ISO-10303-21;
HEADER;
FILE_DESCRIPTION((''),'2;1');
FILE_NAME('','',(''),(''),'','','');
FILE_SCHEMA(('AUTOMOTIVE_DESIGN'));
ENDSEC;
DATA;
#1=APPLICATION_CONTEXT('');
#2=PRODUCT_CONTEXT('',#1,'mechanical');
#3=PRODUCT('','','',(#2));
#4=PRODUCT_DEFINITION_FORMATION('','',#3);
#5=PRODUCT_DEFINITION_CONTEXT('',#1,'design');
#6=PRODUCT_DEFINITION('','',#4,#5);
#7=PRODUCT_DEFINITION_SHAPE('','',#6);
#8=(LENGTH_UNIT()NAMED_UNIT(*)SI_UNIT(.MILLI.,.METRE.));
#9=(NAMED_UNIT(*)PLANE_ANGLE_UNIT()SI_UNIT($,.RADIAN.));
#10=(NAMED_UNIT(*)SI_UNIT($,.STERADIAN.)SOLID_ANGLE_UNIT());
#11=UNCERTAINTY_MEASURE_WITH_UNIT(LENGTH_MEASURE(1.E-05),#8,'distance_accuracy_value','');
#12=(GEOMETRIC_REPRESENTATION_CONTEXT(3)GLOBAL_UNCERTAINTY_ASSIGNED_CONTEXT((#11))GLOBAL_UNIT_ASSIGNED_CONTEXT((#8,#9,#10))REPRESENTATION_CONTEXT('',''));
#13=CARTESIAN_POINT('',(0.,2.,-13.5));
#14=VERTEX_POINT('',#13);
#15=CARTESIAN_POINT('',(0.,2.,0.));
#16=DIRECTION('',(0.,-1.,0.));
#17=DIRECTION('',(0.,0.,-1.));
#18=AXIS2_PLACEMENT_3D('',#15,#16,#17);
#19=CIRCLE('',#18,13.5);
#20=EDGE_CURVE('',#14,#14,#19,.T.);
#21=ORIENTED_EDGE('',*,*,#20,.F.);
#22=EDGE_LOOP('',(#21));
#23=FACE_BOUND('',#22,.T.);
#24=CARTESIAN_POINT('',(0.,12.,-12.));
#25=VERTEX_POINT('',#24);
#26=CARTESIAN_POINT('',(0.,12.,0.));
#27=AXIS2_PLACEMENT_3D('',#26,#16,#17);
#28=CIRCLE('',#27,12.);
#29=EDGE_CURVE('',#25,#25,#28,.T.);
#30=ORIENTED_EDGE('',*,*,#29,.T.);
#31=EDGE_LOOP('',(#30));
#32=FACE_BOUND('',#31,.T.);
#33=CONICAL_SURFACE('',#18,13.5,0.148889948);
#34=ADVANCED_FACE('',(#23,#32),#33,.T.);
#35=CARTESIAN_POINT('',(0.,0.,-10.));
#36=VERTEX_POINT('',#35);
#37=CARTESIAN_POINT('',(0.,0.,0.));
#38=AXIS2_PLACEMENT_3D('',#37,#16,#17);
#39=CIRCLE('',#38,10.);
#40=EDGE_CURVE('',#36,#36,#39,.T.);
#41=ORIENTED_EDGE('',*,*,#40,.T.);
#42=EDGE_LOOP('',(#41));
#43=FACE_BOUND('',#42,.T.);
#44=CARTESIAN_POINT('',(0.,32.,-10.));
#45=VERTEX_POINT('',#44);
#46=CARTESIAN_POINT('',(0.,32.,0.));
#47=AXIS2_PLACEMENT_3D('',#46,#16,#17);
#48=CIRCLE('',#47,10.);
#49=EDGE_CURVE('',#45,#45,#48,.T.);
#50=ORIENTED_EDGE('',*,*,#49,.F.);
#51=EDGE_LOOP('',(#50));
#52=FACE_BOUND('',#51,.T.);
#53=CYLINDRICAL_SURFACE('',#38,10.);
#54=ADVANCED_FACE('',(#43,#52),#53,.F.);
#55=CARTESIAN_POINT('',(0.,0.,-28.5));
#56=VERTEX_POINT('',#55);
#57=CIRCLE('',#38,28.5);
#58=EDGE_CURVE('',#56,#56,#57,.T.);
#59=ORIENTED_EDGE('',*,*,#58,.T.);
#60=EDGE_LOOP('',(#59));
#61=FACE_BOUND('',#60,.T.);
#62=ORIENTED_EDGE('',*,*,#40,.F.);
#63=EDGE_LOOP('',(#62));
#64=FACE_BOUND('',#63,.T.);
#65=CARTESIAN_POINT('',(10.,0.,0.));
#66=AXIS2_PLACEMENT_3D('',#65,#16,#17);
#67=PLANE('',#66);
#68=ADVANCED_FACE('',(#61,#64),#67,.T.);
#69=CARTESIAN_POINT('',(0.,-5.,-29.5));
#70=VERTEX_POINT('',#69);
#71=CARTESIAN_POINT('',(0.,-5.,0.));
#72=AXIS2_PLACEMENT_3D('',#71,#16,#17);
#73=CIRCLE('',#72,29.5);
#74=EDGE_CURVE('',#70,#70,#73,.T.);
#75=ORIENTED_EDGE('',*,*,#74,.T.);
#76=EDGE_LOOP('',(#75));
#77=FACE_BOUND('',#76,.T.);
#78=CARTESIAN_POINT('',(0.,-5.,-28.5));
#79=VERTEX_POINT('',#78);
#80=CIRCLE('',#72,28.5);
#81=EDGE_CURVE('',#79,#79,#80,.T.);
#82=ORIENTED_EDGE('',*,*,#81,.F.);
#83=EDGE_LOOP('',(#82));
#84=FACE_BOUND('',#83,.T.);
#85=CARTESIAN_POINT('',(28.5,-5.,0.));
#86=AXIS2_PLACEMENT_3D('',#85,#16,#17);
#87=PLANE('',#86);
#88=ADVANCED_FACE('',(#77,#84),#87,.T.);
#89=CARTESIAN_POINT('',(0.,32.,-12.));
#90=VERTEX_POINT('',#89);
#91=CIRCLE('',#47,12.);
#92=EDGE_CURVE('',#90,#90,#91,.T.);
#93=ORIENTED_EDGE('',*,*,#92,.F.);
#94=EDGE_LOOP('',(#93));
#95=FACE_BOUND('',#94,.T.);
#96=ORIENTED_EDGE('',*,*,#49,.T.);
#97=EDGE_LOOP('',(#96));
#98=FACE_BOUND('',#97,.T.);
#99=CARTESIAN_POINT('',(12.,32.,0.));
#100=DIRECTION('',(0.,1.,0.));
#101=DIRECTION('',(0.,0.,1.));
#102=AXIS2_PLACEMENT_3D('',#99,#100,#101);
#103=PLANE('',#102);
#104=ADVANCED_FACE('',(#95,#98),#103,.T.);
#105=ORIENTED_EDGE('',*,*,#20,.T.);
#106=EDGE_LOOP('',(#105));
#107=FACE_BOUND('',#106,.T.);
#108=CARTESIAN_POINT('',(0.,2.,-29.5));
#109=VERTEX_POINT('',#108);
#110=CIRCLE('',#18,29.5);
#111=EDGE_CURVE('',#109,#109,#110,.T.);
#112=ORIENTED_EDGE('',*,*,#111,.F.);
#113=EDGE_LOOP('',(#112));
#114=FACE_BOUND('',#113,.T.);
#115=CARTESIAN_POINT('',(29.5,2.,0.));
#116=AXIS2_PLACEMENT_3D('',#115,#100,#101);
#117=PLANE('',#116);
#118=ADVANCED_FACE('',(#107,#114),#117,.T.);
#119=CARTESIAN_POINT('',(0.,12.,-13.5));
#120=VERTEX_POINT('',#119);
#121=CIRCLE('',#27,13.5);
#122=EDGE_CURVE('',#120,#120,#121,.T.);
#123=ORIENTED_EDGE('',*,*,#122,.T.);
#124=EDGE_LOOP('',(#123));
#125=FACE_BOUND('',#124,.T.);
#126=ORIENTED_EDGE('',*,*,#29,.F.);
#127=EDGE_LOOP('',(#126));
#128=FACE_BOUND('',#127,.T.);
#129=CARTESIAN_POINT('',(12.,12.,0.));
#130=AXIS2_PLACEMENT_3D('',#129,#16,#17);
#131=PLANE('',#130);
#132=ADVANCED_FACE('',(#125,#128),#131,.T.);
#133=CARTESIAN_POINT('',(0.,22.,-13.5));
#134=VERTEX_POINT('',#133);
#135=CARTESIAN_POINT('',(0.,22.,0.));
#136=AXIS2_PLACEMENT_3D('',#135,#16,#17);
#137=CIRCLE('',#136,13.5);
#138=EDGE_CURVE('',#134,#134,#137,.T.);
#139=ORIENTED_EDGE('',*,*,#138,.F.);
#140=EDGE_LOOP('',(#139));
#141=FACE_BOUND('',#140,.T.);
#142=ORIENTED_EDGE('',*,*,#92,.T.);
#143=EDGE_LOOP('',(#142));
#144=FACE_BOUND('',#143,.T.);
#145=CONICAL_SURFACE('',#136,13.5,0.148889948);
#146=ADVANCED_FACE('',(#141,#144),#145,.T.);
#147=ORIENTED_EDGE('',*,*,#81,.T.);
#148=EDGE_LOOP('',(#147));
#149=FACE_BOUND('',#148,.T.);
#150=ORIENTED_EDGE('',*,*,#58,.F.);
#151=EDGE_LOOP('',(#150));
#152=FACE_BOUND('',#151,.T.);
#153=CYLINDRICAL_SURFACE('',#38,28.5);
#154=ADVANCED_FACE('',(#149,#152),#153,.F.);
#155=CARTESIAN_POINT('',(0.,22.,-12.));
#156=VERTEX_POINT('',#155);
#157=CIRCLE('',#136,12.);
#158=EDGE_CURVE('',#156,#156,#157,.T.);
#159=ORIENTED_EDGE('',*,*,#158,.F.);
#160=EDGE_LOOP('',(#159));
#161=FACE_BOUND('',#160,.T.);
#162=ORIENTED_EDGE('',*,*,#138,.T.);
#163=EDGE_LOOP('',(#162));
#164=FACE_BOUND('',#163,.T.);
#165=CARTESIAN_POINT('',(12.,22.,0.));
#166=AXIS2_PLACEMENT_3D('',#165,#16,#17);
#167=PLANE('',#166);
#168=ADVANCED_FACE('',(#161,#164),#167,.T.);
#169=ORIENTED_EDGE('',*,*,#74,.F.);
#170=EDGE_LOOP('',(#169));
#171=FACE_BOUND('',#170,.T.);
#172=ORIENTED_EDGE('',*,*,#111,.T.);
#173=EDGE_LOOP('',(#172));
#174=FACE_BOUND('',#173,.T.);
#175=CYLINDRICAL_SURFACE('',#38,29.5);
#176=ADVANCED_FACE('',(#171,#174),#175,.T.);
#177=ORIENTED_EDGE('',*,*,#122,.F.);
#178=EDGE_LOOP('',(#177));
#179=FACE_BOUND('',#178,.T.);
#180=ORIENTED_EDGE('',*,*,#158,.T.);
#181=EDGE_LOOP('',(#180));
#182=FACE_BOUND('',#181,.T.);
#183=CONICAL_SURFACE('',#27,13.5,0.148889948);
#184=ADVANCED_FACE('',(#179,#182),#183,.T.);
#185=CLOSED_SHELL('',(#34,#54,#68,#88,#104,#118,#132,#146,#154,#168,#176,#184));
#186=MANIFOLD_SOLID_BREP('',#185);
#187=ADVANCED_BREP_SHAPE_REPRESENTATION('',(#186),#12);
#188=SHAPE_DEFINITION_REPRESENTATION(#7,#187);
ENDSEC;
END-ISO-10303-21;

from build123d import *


with BuildPart() as part:
    # Sketch2 → Revolve1 (revolve)
    with BuildSketch(Plane.XY, mode=Mode.PRIVATE) as revolve1_sk:
        Polygon((10, 32), (10, 0), (28.5, 0), (28.5, -5), (29.5, -5), (29.5, 2), (13.5, 2), (12, 12), (13.5, 12), (12, 22), (13.5, 22), (12, 32), align=None)
    revolve(revolve1_sk.sketch.rotate(Axis((0, 0, 0), (0, 1, 0)), 90), axis=Axis((0, 0, 0), (0, 1, 0)))


solid = part.part
